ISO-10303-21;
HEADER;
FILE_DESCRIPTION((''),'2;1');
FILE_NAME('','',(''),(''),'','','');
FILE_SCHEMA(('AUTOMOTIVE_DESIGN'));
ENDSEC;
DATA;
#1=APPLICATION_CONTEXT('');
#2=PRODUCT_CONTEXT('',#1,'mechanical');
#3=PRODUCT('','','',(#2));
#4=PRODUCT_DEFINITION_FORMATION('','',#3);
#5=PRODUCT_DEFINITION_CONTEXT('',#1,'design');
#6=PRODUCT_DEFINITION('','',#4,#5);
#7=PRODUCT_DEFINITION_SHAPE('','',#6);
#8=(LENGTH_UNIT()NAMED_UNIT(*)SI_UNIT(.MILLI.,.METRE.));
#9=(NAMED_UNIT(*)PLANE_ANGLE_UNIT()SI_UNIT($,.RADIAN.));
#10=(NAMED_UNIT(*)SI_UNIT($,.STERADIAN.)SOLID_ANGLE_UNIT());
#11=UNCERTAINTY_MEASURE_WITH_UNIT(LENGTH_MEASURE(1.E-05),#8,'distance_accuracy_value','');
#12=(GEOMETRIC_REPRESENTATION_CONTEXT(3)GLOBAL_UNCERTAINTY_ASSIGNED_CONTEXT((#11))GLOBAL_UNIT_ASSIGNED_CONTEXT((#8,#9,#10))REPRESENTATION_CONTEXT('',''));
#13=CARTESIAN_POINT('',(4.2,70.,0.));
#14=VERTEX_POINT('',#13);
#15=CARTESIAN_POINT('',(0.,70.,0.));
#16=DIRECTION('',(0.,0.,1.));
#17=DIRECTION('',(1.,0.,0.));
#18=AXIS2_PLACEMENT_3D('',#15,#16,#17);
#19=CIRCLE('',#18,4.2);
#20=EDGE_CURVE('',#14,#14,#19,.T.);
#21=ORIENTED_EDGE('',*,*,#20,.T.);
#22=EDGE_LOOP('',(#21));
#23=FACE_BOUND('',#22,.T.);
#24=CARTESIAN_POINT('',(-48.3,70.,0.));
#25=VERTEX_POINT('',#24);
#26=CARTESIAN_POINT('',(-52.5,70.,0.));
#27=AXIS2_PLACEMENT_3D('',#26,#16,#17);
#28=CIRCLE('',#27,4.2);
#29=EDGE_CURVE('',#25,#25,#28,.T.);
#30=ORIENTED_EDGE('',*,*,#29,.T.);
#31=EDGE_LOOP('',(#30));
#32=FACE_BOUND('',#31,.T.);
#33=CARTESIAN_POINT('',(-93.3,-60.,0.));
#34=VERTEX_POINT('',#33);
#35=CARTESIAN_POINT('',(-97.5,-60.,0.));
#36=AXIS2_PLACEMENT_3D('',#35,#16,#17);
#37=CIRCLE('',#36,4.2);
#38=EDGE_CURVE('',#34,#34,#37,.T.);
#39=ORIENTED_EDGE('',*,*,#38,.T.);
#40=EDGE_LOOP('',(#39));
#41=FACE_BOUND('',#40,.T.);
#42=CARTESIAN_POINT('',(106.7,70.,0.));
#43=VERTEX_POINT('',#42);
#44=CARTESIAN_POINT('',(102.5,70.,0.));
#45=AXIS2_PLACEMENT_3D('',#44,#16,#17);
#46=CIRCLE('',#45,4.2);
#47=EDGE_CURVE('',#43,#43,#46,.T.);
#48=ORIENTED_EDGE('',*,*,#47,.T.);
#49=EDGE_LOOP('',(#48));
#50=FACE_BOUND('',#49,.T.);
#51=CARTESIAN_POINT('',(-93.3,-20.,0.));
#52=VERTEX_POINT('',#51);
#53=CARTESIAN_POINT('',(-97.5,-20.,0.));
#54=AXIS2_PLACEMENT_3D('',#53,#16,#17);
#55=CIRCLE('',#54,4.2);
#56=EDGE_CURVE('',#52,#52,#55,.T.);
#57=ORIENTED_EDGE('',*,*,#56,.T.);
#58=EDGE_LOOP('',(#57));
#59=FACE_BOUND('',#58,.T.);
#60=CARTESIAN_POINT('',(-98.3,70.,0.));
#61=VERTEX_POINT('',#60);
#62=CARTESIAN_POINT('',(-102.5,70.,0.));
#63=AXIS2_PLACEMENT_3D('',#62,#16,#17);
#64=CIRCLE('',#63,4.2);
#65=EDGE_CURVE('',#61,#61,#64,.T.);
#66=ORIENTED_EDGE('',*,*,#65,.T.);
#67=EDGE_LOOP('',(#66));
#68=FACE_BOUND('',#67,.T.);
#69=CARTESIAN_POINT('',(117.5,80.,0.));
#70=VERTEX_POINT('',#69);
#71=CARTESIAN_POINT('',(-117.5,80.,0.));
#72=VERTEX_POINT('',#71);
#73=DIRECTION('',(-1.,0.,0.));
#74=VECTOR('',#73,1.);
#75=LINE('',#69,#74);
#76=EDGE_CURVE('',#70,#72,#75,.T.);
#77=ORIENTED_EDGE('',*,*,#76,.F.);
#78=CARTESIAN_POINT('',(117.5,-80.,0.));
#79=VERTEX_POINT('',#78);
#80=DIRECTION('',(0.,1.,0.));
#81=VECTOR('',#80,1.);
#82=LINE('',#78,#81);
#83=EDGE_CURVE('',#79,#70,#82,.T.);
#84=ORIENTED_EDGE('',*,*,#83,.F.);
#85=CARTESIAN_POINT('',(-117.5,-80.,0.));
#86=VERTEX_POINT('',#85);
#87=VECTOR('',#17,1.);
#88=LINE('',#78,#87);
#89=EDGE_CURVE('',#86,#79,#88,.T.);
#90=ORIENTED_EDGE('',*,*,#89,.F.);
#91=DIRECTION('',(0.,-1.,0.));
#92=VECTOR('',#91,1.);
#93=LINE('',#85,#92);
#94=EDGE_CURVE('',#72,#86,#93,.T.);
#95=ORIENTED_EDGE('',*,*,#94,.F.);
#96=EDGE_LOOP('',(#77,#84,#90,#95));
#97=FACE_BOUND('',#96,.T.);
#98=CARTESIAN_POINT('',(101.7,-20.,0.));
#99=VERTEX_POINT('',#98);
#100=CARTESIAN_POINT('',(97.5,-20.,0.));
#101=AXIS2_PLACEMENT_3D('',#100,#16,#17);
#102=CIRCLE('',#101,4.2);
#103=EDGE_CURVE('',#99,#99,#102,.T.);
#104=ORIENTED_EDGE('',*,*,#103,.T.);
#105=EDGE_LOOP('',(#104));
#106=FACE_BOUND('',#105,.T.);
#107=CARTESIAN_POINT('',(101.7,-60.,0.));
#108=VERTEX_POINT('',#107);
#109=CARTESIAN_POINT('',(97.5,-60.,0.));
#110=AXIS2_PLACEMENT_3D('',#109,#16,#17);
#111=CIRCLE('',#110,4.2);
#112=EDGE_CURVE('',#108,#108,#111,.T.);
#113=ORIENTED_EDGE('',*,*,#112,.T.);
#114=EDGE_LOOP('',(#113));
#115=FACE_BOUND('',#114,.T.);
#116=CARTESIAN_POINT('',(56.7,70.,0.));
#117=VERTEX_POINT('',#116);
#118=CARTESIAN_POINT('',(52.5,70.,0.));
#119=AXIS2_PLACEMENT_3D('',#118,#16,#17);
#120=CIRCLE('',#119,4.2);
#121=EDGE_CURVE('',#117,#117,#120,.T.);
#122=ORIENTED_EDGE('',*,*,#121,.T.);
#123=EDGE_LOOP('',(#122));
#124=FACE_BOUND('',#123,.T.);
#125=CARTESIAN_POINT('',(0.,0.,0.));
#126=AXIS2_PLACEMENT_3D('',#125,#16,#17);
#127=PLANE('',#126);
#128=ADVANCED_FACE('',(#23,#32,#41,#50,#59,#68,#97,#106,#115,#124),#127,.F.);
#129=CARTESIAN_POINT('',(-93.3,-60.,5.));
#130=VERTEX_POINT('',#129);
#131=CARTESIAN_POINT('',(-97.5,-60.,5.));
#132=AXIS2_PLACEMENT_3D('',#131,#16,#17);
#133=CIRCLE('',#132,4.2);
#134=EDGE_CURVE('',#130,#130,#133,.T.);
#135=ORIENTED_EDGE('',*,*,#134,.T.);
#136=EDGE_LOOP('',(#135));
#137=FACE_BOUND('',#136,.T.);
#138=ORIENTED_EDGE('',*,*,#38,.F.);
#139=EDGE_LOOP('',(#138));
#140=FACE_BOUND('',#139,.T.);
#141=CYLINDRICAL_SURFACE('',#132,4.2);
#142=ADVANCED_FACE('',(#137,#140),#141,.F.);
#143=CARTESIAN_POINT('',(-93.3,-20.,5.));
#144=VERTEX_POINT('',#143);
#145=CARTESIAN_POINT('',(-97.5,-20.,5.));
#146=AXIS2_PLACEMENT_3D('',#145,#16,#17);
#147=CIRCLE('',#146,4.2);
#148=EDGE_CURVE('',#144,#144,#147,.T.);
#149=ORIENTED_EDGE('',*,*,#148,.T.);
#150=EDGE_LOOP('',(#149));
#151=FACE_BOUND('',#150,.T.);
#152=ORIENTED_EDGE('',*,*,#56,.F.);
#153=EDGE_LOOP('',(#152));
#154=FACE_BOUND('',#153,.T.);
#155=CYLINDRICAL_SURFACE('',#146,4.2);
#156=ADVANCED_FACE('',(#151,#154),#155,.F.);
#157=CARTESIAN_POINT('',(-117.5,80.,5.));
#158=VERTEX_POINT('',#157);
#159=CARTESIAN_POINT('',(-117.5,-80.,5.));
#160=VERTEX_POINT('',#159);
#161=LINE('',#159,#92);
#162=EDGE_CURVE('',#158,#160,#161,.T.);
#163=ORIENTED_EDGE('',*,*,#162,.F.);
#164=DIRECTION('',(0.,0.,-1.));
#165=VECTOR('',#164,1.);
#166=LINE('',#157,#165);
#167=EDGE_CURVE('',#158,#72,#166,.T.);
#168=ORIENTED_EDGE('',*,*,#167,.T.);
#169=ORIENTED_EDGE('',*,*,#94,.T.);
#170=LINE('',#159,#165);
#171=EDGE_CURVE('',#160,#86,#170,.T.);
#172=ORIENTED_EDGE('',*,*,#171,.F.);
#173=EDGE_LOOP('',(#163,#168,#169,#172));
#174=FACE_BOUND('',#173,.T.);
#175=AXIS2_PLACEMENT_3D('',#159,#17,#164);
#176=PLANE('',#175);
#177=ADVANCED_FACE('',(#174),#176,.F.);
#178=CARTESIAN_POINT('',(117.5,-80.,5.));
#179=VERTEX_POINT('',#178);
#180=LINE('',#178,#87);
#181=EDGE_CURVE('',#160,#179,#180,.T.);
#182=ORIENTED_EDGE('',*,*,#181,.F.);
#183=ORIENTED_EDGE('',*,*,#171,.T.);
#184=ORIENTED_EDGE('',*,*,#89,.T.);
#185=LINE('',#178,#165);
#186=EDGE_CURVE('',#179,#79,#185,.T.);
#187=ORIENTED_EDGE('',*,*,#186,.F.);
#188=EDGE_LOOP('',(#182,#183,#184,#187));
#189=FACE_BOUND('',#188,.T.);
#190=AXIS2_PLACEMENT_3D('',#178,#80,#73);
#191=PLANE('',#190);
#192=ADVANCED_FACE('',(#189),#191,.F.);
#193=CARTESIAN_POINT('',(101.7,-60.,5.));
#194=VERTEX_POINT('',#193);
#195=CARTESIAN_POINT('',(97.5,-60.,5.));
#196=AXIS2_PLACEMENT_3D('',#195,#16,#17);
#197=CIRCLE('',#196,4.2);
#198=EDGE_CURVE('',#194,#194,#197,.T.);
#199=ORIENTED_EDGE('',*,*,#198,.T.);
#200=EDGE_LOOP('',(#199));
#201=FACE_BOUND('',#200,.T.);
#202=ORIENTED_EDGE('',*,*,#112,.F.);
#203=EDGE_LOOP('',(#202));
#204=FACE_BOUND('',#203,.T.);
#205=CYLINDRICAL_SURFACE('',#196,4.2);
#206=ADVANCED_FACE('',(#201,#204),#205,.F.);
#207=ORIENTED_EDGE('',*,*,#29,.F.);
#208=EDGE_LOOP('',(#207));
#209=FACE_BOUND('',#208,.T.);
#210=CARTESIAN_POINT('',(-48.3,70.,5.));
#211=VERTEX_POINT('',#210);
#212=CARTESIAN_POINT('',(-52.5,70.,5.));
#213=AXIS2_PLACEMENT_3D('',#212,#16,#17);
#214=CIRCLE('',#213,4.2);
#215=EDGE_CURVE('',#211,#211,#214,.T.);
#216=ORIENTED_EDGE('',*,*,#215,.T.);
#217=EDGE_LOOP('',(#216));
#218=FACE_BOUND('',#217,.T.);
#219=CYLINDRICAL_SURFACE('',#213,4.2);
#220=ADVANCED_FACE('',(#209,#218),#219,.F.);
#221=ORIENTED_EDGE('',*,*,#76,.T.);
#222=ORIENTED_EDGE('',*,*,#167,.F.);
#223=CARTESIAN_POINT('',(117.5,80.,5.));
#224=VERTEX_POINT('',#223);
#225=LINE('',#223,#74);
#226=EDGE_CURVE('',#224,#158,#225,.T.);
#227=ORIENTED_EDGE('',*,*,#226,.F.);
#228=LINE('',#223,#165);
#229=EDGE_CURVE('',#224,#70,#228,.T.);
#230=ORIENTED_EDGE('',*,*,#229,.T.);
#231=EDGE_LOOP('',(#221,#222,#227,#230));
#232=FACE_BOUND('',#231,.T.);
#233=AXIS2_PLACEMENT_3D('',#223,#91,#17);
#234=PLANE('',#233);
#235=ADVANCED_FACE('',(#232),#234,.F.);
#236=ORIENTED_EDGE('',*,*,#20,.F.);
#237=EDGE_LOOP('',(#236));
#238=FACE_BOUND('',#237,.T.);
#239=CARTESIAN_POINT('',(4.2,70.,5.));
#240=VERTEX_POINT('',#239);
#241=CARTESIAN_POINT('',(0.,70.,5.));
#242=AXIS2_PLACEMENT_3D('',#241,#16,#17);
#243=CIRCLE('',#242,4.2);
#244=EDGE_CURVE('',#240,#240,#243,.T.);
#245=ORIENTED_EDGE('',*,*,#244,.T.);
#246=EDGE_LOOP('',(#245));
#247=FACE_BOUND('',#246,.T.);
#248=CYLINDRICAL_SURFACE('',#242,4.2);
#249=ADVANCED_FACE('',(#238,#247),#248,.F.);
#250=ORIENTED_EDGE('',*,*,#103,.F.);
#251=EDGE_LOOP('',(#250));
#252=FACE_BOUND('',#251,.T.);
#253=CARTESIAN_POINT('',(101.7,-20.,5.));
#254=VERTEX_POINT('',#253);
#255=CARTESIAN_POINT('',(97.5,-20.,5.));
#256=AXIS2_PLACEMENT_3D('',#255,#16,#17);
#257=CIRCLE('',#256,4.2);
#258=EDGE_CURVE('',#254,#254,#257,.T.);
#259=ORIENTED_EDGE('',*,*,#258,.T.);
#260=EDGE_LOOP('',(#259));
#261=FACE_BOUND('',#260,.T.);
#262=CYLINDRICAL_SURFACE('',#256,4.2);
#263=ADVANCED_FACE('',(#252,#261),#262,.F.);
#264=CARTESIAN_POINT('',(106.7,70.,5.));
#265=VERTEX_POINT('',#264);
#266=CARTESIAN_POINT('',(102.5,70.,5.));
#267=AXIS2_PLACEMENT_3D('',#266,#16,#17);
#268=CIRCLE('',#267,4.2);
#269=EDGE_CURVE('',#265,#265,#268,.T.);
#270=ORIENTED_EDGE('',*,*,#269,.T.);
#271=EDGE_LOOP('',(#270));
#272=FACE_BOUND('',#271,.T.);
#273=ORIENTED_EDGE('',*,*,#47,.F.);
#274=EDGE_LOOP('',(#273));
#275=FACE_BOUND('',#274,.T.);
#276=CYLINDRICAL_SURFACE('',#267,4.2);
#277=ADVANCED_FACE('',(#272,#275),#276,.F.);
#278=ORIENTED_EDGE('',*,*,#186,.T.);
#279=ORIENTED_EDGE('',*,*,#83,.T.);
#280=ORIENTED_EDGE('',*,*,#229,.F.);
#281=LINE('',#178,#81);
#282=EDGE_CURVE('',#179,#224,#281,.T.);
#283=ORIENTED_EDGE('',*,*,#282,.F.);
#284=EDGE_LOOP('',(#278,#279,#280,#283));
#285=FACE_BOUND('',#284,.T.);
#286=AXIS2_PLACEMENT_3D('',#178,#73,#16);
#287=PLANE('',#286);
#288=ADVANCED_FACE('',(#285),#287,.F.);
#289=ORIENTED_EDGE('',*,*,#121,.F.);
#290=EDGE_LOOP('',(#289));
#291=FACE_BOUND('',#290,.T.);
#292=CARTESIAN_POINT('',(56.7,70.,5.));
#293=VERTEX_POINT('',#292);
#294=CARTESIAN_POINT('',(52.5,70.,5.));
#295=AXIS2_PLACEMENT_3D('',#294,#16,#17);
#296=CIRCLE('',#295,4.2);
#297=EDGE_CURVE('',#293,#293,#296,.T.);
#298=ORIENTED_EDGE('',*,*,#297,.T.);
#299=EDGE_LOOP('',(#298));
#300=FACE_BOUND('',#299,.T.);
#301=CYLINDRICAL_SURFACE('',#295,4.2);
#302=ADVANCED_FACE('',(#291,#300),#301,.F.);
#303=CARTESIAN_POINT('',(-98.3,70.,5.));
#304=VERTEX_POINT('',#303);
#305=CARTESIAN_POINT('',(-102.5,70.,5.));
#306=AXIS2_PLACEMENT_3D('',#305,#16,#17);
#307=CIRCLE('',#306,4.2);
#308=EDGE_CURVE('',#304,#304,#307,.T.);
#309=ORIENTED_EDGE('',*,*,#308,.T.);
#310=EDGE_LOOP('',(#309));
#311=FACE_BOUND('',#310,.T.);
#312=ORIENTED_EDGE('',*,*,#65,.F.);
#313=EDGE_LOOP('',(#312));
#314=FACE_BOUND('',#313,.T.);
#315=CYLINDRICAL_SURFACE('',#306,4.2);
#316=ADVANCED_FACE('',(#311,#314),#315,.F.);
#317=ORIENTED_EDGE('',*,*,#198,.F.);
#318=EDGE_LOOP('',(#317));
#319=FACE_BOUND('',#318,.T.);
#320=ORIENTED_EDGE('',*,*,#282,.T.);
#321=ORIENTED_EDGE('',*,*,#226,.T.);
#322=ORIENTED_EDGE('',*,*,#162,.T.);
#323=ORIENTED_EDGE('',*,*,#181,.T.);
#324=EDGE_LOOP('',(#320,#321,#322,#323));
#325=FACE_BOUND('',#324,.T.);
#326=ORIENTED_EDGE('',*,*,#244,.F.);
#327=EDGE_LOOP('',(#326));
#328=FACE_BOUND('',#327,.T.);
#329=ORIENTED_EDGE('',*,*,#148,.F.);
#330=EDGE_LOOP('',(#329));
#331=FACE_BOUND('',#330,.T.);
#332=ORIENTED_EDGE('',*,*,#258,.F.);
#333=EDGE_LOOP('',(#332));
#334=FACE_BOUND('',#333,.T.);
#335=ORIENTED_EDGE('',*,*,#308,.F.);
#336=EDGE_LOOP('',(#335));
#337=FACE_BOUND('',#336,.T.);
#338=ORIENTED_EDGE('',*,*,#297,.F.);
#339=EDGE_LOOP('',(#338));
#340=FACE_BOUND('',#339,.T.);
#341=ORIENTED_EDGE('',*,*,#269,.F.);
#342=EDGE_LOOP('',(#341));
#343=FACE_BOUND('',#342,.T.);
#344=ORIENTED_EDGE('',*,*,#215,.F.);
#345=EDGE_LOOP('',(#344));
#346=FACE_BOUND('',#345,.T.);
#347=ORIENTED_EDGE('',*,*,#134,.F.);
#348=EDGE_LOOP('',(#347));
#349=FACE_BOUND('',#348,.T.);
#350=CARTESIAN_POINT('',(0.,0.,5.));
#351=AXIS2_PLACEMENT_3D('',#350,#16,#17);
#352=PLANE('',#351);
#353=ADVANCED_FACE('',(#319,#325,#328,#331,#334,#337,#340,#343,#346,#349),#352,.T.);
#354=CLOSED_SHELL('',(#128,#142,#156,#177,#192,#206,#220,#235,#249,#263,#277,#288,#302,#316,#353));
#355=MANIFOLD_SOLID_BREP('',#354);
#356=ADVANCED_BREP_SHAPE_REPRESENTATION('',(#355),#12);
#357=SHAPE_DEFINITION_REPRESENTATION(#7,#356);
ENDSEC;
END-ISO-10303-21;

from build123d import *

# Parameters (mm, degrees)
SKETCH1_W            = 235
SKETCH1_H            = 160
BOSS_EXTRUDE1_DEPTH  = 5
M8_CLEARANCE_HOLE1_D = 8.4


with BuildPart() as part:
    # Sketch1 → Boss-Extrude1 (new body)
    with BuildSketch(Plane.XY):
        Rectangle(SKETCH1_W, SKETCH1_H)
    extrude(amount=BOSS_EXTRUDE1_DEPTH)

    # M8 Clearance Hole1 (through all)
    with Locations(Plane.XY.offset(5)):
        with Locations((-102.5, 70), (-97.5, -20), (-97.5, -60), (-52.5, 70), (0, 70), (52.5, 70), (102.5, 70), (97.5, -20), (97.5, -60)):
            Hole(M8_CLEARANCE_HOLE1_D / 2)


solid = part.part
